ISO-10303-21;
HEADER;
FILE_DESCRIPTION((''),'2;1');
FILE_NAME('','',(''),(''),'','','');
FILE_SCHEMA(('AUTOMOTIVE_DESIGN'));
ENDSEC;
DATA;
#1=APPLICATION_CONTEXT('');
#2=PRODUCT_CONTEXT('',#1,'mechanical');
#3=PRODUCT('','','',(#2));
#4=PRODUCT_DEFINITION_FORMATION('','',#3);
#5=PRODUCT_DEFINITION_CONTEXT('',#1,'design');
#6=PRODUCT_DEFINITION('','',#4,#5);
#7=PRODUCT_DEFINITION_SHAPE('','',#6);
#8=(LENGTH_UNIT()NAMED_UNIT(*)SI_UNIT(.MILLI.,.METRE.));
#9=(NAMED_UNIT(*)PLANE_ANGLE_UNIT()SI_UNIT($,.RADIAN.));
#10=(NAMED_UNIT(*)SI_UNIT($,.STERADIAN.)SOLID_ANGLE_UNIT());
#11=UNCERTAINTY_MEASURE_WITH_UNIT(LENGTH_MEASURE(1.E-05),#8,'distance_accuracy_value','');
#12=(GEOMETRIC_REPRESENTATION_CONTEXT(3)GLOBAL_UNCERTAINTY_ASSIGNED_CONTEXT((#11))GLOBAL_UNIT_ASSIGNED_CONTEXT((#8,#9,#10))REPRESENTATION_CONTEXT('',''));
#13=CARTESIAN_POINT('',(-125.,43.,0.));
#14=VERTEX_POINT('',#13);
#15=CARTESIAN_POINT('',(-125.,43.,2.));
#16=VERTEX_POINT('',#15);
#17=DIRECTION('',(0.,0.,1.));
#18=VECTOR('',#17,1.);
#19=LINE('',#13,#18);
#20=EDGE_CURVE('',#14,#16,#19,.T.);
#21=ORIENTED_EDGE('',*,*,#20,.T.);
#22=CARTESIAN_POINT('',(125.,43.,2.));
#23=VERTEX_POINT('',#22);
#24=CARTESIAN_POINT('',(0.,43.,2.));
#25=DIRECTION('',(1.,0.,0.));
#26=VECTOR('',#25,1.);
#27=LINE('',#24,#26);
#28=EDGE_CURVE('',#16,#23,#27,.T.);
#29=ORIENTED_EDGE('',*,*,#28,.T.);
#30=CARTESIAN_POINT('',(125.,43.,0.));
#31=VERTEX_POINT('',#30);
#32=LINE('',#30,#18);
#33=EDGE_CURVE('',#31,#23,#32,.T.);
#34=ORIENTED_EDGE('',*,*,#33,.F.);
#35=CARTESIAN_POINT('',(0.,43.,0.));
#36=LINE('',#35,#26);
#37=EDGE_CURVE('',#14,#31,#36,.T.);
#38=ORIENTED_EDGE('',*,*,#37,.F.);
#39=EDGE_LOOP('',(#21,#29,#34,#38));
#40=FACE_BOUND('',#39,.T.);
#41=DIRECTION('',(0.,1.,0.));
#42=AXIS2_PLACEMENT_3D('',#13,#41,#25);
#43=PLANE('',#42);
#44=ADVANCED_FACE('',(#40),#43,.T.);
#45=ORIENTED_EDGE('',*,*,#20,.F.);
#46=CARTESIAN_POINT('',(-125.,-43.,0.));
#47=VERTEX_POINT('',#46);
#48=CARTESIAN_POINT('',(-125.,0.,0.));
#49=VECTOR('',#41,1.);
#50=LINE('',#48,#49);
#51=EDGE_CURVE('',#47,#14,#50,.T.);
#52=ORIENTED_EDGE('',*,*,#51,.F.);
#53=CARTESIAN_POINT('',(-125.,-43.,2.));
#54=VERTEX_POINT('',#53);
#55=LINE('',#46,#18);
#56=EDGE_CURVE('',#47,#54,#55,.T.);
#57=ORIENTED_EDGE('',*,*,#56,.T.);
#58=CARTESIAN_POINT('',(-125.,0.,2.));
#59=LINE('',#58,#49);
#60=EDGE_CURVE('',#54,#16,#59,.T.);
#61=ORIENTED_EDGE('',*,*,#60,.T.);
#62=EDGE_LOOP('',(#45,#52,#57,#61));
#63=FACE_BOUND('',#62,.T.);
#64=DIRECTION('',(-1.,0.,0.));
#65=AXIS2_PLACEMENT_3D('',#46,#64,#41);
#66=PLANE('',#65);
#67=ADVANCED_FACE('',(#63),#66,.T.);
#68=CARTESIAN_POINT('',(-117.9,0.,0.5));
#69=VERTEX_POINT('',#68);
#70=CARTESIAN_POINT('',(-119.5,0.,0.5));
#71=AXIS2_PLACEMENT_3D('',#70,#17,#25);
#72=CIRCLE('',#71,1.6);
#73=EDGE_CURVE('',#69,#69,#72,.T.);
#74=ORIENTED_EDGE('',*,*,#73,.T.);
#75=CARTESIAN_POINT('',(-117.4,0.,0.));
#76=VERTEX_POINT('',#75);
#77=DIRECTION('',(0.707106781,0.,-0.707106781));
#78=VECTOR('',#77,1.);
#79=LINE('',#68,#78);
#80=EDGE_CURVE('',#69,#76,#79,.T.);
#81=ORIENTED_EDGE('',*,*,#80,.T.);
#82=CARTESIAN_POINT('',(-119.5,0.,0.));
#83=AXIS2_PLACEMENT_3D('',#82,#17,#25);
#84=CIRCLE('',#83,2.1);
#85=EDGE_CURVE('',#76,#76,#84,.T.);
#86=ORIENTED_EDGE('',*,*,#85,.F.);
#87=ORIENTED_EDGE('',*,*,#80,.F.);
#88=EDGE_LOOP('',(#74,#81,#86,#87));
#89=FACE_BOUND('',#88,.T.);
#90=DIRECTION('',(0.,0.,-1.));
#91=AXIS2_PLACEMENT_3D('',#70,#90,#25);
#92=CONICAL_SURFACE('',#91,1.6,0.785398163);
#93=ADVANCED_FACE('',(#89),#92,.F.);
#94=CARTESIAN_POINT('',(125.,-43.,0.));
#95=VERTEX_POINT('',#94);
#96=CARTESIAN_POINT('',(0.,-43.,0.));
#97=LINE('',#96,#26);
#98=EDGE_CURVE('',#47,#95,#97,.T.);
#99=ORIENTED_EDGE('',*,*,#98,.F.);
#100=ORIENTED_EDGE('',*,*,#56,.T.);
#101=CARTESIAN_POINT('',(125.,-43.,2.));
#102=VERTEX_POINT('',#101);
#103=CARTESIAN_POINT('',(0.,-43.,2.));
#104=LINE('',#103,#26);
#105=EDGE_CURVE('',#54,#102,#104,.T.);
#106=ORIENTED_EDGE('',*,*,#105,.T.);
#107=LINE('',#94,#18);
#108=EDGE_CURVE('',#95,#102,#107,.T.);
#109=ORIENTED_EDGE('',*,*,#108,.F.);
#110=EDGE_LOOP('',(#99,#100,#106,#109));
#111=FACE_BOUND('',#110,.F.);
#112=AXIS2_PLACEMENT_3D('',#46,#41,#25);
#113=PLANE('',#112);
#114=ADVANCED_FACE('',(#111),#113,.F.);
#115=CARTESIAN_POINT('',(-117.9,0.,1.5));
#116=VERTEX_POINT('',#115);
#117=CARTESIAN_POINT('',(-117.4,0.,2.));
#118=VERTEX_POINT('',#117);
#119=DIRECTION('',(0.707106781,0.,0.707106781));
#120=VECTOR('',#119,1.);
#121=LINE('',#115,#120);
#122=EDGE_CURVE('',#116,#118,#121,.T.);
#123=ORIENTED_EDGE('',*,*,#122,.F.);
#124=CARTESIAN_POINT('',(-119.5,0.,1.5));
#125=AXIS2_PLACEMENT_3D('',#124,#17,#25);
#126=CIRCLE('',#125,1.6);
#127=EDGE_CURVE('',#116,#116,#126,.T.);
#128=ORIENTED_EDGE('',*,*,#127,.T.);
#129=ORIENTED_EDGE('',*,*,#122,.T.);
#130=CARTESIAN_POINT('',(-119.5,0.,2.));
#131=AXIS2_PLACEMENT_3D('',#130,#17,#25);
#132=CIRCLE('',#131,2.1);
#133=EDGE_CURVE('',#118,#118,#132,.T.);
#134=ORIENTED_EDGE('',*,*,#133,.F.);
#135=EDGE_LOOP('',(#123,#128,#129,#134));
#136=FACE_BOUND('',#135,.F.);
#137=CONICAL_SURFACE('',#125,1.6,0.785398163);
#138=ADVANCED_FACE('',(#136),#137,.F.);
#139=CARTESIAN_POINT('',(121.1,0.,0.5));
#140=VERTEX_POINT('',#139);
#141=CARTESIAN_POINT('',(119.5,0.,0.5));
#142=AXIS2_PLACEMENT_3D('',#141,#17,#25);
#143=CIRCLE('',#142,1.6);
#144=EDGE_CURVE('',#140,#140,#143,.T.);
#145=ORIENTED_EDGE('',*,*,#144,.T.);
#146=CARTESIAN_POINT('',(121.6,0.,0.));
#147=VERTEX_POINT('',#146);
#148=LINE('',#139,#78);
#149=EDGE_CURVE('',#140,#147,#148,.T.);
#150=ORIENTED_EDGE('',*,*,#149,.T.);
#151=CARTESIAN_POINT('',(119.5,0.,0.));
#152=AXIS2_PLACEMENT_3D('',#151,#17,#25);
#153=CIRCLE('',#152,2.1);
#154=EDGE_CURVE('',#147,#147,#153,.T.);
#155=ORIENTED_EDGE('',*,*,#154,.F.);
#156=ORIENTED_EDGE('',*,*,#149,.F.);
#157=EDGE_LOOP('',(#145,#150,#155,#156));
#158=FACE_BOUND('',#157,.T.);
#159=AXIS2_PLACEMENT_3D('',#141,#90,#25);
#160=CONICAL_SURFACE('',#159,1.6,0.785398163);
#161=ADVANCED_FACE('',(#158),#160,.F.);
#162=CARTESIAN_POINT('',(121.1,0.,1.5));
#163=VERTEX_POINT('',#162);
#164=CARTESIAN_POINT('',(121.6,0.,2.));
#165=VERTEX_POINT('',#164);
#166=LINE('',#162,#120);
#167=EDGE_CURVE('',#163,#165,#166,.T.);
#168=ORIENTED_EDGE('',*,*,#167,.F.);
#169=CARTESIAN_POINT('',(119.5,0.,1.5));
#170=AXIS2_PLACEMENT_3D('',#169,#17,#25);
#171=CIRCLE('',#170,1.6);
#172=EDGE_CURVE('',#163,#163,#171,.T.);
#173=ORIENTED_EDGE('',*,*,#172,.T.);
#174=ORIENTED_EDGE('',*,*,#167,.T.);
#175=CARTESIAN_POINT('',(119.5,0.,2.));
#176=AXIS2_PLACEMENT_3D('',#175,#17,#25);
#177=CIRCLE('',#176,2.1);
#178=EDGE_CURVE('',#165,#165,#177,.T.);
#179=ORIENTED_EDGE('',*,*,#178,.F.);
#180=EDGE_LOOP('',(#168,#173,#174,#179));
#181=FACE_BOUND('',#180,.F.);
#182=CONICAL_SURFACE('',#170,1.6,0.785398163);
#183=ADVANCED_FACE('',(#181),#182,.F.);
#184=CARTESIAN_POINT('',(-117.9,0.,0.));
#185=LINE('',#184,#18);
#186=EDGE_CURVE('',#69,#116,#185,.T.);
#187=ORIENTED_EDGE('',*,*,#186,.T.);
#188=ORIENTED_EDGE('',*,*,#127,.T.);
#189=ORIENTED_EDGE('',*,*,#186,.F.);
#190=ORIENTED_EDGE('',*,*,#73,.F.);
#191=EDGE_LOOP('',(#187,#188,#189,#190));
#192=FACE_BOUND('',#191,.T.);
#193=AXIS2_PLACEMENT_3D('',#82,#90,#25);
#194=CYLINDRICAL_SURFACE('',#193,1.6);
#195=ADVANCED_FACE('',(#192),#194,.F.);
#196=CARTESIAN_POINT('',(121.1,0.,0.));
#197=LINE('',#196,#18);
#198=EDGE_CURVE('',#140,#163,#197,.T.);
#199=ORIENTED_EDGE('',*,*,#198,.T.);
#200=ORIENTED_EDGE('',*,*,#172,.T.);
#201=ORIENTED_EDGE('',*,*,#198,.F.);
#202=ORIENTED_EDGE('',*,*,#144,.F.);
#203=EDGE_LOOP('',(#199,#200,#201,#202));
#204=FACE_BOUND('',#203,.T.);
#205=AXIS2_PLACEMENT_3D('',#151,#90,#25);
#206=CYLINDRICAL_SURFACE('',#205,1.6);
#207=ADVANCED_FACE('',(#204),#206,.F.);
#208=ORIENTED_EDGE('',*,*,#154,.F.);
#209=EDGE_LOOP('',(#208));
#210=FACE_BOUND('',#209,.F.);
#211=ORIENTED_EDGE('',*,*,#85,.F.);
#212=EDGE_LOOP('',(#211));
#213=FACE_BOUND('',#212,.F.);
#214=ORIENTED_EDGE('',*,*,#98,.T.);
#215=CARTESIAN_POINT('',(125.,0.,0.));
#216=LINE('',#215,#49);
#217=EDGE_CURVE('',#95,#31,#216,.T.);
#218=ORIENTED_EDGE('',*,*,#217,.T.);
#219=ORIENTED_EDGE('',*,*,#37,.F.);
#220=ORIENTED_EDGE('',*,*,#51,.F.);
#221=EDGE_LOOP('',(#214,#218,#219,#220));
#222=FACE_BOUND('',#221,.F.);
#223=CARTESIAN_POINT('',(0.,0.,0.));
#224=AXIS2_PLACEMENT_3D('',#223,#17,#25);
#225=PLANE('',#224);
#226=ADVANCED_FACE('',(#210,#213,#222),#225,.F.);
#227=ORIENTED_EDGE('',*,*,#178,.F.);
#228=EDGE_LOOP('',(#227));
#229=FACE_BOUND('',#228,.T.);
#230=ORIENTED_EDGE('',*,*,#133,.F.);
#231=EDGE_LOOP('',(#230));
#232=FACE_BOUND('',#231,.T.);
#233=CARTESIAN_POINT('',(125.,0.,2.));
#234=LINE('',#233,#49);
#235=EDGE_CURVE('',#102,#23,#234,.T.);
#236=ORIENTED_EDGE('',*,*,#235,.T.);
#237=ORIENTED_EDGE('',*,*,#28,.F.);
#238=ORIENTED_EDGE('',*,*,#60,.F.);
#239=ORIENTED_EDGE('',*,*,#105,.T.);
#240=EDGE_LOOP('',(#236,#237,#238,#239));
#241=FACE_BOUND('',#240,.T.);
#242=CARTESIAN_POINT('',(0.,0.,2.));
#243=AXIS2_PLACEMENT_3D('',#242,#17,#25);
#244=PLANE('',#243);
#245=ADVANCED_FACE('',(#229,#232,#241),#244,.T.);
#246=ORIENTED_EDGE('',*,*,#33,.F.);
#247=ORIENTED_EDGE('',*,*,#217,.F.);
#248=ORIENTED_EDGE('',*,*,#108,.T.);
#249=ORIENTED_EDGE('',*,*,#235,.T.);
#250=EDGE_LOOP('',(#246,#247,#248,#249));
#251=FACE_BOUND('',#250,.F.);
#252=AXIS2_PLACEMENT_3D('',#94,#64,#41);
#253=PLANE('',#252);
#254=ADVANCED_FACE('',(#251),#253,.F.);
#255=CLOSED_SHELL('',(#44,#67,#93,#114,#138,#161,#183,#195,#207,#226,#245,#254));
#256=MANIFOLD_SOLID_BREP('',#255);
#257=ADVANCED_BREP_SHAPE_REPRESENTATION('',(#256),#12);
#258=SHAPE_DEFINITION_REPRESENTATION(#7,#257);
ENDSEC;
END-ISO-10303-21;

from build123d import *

# Parameters (mm, degrees)
F0_W     = 250
F0_H     = 86
F0_R     = 1.6
F1_DEPTH = 2
F2_SIZE  = 0.5


with BuildPart() as f1:
    # F0 (on Top) → F1 (new body)
    with BuildSketch(Plane.XY):
        Rectangle(F0_W, F0_H)
        with Locations((-119.5, 0)):
            Circle(F0_R, mode=Mode.SUBTRACT)
        with Locations((119.5, 0)):
            Circle(F0_R, mode=Mode.SUBTRACT)
    extrude(amount=F1_DEPTH)

    # F2
    f2_edges = [f1.edges().sort_by_distance(p)[0] for p in [
        (-117.9, 0, 1),
        (-121.1, 0, 0),
        (-121.1, 0, 2),
        (121.1, 0, 1),
        (117.9, 0, 0),
        (117.9, 0, 2),
    ]]
    chamfer(f2_edges, length=F2_SIZE)


solid = f1.part
